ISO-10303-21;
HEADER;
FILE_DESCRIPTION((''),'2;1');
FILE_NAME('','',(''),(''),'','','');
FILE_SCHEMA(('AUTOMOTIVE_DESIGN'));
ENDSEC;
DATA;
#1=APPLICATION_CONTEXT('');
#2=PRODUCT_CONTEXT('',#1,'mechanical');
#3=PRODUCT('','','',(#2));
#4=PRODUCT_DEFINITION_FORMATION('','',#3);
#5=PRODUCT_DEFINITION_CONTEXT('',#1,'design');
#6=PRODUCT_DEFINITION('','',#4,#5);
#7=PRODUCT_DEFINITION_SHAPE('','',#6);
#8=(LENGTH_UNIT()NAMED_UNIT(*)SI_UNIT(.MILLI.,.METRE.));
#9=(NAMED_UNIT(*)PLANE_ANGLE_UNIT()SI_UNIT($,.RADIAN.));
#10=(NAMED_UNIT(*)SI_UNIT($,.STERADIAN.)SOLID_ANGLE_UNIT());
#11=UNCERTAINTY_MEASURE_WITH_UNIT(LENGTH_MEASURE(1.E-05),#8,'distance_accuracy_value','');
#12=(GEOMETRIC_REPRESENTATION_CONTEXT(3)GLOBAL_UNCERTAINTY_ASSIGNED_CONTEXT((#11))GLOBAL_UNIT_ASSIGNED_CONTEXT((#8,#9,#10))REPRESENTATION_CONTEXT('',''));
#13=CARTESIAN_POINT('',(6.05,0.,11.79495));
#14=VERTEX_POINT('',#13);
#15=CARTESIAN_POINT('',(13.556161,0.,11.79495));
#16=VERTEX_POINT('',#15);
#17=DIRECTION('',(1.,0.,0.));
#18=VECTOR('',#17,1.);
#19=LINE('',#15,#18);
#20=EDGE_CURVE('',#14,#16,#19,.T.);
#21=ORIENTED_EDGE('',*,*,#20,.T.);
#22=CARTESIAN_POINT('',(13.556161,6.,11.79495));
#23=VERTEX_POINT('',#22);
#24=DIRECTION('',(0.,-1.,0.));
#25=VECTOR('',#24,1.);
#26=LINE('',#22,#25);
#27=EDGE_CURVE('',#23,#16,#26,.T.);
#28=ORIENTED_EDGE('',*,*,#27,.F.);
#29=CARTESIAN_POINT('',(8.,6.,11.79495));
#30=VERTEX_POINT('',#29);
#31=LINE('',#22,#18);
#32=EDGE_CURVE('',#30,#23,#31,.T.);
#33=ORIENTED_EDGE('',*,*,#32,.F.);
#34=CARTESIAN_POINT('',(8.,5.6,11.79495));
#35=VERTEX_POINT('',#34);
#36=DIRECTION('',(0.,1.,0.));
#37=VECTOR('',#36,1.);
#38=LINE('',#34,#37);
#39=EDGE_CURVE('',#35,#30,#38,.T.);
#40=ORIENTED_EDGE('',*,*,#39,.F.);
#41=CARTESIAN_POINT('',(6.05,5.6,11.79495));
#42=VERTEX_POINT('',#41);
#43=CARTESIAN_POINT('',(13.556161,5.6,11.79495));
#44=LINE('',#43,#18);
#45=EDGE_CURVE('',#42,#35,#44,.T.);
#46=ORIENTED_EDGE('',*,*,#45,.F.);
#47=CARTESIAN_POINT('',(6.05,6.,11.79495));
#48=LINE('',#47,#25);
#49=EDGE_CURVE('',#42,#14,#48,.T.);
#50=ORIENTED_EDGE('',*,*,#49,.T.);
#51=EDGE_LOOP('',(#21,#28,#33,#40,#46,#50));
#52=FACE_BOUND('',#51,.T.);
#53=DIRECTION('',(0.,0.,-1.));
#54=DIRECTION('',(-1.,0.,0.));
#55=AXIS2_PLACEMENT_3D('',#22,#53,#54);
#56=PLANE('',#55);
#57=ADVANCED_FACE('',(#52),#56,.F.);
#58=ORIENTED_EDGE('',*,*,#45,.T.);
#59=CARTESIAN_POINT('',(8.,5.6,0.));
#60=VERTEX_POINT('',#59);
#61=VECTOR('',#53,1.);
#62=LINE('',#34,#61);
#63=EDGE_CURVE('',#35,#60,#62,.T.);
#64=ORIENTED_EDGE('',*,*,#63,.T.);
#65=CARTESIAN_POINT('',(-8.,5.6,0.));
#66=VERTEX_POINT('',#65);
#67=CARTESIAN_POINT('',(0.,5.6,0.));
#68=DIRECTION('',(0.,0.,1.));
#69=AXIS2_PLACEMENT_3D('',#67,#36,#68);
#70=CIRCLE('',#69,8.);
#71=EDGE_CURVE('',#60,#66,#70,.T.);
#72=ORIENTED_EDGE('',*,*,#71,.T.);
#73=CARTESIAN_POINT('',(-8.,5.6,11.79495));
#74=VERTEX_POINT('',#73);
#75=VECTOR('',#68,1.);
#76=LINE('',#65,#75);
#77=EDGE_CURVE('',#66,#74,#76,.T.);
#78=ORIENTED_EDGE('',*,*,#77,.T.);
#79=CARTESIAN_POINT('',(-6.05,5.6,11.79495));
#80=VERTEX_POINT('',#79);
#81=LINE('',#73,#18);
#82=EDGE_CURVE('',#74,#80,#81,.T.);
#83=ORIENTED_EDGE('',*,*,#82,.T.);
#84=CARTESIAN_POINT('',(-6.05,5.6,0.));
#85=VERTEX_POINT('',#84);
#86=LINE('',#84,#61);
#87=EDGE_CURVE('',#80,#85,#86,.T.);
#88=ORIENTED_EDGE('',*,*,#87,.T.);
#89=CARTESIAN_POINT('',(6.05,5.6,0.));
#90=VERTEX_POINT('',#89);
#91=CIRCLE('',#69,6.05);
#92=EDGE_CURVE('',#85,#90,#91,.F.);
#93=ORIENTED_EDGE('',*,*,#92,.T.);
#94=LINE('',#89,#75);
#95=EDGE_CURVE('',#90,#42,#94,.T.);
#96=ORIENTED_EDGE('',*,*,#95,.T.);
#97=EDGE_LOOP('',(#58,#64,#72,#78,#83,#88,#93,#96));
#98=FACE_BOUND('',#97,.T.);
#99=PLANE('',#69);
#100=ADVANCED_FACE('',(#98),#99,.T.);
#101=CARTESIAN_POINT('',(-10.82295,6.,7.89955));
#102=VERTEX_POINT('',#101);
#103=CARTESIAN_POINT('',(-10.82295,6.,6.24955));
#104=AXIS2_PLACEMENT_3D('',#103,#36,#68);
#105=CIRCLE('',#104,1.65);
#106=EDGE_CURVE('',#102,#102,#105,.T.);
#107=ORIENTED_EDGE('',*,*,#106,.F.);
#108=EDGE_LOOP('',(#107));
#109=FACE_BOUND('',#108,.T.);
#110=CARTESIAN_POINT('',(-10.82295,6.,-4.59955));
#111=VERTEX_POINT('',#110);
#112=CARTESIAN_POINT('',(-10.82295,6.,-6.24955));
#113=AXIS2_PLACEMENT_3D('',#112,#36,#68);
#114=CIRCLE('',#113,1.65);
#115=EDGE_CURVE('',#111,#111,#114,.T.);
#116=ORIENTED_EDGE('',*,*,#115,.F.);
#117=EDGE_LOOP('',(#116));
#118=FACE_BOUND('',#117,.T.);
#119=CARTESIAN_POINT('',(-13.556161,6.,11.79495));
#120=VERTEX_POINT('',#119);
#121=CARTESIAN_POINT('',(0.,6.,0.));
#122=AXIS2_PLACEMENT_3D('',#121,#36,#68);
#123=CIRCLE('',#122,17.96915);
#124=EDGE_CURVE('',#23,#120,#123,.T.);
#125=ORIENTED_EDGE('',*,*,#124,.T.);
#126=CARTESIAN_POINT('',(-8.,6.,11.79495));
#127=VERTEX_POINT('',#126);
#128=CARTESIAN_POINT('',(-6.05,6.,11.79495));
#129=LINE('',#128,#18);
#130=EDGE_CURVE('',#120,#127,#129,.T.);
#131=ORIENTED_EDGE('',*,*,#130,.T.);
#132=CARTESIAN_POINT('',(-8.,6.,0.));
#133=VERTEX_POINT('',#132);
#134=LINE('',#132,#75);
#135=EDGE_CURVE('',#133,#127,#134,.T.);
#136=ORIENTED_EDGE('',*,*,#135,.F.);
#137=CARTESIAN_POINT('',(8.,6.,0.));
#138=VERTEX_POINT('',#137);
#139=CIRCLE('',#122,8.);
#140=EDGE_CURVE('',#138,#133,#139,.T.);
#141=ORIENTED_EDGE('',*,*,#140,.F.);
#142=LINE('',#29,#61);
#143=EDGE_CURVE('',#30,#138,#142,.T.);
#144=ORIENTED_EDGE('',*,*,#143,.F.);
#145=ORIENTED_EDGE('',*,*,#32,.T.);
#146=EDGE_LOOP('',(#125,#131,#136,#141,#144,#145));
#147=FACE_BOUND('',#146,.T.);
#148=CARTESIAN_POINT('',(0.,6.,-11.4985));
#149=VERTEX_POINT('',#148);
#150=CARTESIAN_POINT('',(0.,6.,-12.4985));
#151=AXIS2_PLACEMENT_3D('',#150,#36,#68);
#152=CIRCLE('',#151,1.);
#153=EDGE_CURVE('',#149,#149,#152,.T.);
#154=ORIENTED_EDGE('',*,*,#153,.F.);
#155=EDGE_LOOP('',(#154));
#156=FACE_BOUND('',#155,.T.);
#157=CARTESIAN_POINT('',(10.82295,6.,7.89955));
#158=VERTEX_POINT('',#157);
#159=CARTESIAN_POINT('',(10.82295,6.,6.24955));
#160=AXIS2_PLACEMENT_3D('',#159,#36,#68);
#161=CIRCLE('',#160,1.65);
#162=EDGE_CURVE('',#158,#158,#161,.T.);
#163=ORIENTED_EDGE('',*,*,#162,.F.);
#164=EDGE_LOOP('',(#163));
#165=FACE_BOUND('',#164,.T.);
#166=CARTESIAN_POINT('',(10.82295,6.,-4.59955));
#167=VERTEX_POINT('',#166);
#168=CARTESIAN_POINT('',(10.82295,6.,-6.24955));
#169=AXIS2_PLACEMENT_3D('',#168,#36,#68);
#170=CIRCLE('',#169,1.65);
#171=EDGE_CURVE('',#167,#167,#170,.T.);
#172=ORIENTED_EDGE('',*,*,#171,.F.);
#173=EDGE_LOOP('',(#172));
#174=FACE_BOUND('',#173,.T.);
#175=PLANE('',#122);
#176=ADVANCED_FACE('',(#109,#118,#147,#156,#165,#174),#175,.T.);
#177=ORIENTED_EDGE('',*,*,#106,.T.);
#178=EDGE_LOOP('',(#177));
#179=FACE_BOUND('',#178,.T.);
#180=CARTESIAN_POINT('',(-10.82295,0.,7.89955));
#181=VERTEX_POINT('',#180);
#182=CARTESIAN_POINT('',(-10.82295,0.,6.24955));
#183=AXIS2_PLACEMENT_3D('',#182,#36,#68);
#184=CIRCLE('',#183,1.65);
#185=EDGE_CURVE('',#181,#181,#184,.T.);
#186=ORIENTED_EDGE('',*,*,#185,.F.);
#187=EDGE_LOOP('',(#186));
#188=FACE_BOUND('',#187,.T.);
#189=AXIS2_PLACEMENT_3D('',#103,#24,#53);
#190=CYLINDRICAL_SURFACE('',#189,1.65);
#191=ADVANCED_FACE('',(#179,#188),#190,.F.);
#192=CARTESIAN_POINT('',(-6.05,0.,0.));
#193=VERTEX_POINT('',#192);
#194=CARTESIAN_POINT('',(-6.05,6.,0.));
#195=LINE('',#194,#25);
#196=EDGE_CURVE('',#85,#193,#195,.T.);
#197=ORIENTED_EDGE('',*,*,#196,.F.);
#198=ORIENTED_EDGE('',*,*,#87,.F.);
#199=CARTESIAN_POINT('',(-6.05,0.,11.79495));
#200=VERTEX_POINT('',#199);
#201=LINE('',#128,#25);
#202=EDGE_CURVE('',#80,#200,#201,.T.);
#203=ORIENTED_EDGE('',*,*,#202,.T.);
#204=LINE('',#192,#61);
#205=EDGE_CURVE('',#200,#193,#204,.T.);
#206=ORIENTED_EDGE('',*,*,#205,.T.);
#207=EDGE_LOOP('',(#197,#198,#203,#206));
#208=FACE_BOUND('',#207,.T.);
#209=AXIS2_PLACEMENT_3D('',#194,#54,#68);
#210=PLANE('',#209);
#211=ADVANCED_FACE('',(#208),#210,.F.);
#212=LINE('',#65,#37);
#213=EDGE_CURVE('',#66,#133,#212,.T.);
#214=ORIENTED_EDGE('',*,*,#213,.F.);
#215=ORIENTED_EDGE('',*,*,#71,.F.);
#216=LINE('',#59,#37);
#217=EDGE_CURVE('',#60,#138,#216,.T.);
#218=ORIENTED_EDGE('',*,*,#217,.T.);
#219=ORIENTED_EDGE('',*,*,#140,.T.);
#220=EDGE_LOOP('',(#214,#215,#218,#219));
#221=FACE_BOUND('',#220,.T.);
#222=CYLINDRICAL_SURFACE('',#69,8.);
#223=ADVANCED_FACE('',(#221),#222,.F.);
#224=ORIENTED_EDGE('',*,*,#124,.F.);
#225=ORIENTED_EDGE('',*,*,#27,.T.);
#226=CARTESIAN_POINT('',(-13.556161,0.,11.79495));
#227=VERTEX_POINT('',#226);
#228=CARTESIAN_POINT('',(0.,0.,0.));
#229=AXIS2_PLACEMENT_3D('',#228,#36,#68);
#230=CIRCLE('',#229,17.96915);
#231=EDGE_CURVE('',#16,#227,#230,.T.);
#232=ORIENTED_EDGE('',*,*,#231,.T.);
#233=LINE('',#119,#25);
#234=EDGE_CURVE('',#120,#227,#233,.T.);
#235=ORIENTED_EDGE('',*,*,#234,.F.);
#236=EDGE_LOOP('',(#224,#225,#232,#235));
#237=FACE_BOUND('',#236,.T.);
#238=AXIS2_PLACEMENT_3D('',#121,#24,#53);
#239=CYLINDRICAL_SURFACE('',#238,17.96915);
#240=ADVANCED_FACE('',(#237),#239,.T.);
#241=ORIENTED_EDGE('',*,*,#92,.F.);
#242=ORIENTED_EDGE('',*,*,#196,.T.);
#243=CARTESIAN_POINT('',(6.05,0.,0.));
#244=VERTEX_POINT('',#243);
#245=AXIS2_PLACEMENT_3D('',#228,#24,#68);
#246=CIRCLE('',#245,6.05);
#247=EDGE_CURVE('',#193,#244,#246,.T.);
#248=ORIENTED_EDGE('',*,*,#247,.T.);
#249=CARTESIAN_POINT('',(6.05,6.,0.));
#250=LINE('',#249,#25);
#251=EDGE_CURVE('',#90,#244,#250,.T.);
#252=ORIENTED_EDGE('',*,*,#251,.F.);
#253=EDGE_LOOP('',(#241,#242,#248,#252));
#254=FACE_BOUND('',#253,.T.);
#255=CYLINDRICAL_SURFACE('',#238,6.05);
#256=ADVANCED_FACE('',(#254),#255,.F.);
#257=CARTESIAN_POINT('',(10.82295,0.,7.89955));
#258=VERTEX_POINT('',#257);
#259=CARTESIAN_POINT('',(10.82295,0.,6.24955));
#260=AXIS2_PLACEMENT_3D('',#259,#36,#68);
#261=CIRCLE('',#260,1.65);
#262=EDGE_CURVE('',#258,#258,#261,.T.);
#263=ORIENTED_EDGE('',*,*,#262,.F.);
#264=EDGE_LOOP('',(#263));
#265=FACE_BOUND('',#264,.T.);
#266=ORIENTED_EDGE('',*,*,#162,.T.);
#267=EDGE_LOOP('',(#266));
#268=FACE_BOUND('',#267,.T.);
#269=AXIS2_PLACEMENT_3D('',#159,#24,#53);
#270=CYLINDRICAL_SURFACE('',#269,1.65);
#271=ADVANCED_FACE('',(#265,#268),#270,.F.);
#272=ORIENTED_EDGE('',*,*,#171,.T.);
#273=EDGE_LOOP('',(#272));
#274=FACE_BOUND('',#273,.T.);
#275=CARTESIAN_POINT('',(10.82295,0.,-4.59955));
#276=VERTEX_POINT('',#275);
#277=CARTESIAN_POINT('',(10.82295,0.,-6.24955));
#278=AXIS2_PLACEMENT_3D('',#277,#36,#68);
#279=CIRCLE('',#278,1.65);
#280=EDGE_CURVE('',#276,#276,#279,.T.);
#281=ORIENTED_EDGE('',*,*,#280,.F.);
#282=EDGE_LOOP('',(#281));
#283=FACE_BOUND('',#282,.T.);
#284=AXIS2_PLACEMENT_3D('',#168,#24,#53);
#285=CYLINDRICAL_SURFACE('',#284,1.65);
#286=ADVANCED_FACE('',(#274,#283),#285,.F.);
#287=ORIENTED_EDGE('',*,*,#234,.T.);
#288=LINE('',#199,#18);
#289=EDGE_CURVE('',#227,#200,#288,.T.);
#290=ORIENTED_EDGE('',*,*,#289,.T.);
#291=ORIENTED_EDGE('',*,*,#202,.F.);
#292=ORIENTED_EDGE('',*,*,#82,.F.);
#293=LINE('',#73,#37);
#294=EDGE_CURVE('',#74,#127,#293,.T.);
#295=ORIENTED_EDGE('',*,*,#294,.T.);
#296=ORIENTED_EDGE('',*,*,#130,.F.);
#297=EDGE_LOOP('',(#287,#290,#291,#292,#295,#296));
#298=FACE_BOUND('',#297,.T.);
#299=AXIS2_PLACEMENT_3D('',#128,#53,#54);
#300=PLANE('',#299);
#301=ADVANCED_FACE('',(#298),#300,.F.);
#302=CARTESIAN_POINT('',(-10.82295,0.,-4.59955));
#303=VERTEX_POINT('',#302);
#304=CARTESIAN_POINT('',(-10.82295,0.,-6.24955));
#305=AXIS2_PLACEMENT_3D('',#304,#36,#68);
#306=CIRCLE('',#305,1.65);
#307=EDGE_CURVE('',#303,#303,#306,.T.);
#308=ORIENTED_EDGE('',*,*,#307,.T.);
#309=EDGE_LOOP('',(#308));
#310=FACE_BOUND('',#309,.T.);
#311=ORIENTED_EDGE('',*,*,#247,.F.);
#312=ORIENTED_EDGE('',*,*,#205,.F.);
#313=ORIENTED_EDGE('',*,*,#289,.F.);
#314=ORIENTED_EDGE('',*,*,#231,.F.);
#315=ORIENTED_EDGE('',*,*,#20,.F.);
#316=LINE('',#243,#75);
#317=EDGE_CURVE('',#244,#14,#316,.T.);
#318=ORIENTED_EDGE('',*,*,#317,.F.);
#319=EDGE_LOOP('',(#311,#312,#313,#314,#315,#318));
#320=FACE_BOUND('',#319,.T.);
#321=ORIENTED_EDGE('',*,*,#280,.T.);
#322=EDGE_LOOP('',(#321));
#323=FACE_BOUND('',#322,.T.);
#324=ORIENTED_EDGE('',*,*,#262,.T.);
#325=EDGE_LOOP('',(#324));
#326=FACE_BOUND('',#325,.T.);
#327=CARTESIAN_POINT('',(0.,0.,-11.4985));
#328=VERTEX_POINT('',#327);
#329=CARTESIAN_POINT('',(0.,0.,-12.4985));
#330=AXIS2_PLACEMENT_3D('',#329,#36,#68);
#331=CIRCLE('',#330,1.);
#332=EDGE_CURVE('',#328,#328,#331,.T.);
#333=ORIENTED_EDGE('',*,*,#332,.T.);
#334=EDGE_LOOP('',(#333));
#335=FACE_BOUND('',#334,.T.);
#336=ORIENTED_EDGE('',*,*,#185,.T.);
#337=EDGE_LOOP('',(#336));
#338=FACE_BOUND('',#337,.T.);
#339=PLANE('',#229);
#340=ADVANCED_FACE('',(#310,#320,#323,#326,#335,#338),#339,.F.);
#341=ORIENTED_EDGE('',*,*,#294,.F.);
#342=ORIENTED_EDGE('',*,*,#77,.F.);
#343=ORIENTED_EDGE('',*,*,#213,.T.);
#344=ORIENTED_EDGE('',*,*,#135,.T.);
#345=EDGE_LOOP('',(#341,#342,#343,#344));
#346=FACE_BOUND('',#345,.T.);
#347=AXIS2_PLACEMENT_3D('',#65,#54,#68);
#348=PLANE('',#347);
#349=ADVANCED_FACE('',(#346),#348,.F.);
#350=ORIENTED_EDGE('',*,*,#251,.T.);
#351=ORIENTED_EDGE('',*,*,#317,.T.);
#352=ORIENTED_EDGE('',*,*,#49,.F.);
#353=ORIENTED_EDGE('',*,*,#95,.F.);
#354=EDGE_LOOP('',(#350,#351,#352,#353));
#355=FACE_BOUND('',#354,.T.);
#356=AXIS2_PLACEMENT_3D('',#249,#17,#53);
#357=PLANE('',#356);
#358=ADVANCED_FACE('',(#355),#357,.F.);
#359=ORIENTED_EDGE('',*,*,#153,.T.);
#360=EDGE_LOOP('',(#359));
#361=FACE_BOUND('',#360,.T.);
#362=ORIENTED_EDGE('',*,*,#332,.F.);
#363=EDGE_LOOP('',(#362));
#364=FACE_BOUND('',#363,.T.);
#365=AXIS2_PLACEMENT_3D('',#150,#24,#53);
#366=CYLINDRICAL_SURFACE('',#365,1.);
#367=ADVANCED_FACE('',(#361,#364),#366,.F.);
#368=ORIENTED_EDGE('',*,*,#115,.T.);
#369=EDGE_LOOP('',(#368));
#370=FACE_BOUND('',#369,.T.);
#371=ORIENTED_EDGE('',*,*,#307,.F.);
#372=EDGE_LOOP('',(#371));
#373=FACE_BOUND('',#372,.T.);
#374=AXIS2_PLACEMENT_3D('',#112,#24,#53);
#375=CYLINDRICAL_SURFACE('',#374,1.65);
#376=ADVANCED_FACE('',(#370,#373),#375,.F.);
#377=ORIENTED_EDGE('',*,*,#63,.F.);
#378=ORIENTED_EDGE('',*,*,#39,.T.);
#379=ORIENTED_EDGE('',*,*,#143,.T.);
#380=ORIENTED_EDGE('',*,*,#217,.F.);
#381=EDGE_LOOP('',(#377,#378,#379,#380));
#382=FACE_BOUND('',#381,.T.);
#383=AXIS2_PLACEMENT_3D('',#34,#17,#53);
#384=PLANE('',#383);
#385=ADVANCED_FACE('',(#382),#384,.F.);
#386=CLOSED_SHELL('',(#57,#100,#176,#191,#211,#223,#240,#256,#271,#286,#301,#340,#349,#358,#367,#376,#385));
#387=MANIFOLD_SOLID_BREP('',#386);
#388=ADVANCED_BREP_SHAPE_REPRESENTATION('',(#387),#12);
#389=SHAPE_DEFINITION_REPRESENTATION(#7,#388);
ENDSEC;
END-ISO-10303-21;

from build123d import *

# Parameters (mm, degrees)
SKETCH1_R           = 1.65
SKETCH1_R_2         = 1
BOSS_EXTRUDE1_DEPTH = 6
CUT_EXTRUDE1_DEPTH  = 0.4


with BuildPart() as part:
    # Sketch1 → Boss-Extrude1 (new body)
    with BuildSketch(Plane(origin=(0, 0, 0), x_dir=(1, 0, 0), z_dir=(0, 1, 0))):
        with BuildLine():
            Line((13.55616119, -11.79495), (6.05, -11.79495))
            Line((6.05, -11.79495), (6.05, 0))
            ThreePointArc((6.05, 0), (0, 6.05), (-6.05, 0))
            Line((-6.05, 0), (-6.05, -11.79495))
            Line((-6.05, -11.79495), (-13.55616119, -11.79495))
            ThreePointArc((-13.55616119, -11.79495), (0, 17.96915), (13.55616119, -11.79495))
        make_face()
        with Locations(Location((-10.82295, 6.24955, 0), (0, 0, 270))):
            Circle(SKETCH1_R, mode=Mode.SUBTRACT)
        with Locations(Location((10.82295, 6.24955, 0), (0, 0, 270))):
            Circle(SKETCH1_R, mode=Mode.SUBTRACT)
        with Locations(Location((10.82295, -6.24955, 0), (0, 0, 270))):
            Circle(SKETCH1_R, mode=Mode.SUBTRACT)
        with Locations(Location((-10.82295, -6.24955, 0), (0, 0, 270))):
            Circle(SKETCH1_R, mode=Mode.SUBTRACT)
        with Locations(Location((0, 12.4985, 0), (0, 0, 270))):
            Circle(SKETCH1_R_2, mode=Mode.SUBTRACT)
    extrude(amount=BOSS_EXTRUDE1_DEPTH)

    # Sketch2 → Cut-Extrude1 (cut)
    with BuildSketch(Plane(origin=(0, 6, 0), x_dir=(1, 0, 0), z_dir=(0, 1, 0))):
        with BuildLine():
            Line((-8, 0), (-8, -11.79495))
            Line((-8, -11.79495), (8, -11.79495))
            Line((8, -11.79495), (8, 0))
            ThreePointArc((8, 0), (0, 8), (-8, 0))
        make_face()
    extrude(amount=-CUT_EXTRUDE1_DEPTH, mode=Mode.SUBTRACT)


solid = part.part
